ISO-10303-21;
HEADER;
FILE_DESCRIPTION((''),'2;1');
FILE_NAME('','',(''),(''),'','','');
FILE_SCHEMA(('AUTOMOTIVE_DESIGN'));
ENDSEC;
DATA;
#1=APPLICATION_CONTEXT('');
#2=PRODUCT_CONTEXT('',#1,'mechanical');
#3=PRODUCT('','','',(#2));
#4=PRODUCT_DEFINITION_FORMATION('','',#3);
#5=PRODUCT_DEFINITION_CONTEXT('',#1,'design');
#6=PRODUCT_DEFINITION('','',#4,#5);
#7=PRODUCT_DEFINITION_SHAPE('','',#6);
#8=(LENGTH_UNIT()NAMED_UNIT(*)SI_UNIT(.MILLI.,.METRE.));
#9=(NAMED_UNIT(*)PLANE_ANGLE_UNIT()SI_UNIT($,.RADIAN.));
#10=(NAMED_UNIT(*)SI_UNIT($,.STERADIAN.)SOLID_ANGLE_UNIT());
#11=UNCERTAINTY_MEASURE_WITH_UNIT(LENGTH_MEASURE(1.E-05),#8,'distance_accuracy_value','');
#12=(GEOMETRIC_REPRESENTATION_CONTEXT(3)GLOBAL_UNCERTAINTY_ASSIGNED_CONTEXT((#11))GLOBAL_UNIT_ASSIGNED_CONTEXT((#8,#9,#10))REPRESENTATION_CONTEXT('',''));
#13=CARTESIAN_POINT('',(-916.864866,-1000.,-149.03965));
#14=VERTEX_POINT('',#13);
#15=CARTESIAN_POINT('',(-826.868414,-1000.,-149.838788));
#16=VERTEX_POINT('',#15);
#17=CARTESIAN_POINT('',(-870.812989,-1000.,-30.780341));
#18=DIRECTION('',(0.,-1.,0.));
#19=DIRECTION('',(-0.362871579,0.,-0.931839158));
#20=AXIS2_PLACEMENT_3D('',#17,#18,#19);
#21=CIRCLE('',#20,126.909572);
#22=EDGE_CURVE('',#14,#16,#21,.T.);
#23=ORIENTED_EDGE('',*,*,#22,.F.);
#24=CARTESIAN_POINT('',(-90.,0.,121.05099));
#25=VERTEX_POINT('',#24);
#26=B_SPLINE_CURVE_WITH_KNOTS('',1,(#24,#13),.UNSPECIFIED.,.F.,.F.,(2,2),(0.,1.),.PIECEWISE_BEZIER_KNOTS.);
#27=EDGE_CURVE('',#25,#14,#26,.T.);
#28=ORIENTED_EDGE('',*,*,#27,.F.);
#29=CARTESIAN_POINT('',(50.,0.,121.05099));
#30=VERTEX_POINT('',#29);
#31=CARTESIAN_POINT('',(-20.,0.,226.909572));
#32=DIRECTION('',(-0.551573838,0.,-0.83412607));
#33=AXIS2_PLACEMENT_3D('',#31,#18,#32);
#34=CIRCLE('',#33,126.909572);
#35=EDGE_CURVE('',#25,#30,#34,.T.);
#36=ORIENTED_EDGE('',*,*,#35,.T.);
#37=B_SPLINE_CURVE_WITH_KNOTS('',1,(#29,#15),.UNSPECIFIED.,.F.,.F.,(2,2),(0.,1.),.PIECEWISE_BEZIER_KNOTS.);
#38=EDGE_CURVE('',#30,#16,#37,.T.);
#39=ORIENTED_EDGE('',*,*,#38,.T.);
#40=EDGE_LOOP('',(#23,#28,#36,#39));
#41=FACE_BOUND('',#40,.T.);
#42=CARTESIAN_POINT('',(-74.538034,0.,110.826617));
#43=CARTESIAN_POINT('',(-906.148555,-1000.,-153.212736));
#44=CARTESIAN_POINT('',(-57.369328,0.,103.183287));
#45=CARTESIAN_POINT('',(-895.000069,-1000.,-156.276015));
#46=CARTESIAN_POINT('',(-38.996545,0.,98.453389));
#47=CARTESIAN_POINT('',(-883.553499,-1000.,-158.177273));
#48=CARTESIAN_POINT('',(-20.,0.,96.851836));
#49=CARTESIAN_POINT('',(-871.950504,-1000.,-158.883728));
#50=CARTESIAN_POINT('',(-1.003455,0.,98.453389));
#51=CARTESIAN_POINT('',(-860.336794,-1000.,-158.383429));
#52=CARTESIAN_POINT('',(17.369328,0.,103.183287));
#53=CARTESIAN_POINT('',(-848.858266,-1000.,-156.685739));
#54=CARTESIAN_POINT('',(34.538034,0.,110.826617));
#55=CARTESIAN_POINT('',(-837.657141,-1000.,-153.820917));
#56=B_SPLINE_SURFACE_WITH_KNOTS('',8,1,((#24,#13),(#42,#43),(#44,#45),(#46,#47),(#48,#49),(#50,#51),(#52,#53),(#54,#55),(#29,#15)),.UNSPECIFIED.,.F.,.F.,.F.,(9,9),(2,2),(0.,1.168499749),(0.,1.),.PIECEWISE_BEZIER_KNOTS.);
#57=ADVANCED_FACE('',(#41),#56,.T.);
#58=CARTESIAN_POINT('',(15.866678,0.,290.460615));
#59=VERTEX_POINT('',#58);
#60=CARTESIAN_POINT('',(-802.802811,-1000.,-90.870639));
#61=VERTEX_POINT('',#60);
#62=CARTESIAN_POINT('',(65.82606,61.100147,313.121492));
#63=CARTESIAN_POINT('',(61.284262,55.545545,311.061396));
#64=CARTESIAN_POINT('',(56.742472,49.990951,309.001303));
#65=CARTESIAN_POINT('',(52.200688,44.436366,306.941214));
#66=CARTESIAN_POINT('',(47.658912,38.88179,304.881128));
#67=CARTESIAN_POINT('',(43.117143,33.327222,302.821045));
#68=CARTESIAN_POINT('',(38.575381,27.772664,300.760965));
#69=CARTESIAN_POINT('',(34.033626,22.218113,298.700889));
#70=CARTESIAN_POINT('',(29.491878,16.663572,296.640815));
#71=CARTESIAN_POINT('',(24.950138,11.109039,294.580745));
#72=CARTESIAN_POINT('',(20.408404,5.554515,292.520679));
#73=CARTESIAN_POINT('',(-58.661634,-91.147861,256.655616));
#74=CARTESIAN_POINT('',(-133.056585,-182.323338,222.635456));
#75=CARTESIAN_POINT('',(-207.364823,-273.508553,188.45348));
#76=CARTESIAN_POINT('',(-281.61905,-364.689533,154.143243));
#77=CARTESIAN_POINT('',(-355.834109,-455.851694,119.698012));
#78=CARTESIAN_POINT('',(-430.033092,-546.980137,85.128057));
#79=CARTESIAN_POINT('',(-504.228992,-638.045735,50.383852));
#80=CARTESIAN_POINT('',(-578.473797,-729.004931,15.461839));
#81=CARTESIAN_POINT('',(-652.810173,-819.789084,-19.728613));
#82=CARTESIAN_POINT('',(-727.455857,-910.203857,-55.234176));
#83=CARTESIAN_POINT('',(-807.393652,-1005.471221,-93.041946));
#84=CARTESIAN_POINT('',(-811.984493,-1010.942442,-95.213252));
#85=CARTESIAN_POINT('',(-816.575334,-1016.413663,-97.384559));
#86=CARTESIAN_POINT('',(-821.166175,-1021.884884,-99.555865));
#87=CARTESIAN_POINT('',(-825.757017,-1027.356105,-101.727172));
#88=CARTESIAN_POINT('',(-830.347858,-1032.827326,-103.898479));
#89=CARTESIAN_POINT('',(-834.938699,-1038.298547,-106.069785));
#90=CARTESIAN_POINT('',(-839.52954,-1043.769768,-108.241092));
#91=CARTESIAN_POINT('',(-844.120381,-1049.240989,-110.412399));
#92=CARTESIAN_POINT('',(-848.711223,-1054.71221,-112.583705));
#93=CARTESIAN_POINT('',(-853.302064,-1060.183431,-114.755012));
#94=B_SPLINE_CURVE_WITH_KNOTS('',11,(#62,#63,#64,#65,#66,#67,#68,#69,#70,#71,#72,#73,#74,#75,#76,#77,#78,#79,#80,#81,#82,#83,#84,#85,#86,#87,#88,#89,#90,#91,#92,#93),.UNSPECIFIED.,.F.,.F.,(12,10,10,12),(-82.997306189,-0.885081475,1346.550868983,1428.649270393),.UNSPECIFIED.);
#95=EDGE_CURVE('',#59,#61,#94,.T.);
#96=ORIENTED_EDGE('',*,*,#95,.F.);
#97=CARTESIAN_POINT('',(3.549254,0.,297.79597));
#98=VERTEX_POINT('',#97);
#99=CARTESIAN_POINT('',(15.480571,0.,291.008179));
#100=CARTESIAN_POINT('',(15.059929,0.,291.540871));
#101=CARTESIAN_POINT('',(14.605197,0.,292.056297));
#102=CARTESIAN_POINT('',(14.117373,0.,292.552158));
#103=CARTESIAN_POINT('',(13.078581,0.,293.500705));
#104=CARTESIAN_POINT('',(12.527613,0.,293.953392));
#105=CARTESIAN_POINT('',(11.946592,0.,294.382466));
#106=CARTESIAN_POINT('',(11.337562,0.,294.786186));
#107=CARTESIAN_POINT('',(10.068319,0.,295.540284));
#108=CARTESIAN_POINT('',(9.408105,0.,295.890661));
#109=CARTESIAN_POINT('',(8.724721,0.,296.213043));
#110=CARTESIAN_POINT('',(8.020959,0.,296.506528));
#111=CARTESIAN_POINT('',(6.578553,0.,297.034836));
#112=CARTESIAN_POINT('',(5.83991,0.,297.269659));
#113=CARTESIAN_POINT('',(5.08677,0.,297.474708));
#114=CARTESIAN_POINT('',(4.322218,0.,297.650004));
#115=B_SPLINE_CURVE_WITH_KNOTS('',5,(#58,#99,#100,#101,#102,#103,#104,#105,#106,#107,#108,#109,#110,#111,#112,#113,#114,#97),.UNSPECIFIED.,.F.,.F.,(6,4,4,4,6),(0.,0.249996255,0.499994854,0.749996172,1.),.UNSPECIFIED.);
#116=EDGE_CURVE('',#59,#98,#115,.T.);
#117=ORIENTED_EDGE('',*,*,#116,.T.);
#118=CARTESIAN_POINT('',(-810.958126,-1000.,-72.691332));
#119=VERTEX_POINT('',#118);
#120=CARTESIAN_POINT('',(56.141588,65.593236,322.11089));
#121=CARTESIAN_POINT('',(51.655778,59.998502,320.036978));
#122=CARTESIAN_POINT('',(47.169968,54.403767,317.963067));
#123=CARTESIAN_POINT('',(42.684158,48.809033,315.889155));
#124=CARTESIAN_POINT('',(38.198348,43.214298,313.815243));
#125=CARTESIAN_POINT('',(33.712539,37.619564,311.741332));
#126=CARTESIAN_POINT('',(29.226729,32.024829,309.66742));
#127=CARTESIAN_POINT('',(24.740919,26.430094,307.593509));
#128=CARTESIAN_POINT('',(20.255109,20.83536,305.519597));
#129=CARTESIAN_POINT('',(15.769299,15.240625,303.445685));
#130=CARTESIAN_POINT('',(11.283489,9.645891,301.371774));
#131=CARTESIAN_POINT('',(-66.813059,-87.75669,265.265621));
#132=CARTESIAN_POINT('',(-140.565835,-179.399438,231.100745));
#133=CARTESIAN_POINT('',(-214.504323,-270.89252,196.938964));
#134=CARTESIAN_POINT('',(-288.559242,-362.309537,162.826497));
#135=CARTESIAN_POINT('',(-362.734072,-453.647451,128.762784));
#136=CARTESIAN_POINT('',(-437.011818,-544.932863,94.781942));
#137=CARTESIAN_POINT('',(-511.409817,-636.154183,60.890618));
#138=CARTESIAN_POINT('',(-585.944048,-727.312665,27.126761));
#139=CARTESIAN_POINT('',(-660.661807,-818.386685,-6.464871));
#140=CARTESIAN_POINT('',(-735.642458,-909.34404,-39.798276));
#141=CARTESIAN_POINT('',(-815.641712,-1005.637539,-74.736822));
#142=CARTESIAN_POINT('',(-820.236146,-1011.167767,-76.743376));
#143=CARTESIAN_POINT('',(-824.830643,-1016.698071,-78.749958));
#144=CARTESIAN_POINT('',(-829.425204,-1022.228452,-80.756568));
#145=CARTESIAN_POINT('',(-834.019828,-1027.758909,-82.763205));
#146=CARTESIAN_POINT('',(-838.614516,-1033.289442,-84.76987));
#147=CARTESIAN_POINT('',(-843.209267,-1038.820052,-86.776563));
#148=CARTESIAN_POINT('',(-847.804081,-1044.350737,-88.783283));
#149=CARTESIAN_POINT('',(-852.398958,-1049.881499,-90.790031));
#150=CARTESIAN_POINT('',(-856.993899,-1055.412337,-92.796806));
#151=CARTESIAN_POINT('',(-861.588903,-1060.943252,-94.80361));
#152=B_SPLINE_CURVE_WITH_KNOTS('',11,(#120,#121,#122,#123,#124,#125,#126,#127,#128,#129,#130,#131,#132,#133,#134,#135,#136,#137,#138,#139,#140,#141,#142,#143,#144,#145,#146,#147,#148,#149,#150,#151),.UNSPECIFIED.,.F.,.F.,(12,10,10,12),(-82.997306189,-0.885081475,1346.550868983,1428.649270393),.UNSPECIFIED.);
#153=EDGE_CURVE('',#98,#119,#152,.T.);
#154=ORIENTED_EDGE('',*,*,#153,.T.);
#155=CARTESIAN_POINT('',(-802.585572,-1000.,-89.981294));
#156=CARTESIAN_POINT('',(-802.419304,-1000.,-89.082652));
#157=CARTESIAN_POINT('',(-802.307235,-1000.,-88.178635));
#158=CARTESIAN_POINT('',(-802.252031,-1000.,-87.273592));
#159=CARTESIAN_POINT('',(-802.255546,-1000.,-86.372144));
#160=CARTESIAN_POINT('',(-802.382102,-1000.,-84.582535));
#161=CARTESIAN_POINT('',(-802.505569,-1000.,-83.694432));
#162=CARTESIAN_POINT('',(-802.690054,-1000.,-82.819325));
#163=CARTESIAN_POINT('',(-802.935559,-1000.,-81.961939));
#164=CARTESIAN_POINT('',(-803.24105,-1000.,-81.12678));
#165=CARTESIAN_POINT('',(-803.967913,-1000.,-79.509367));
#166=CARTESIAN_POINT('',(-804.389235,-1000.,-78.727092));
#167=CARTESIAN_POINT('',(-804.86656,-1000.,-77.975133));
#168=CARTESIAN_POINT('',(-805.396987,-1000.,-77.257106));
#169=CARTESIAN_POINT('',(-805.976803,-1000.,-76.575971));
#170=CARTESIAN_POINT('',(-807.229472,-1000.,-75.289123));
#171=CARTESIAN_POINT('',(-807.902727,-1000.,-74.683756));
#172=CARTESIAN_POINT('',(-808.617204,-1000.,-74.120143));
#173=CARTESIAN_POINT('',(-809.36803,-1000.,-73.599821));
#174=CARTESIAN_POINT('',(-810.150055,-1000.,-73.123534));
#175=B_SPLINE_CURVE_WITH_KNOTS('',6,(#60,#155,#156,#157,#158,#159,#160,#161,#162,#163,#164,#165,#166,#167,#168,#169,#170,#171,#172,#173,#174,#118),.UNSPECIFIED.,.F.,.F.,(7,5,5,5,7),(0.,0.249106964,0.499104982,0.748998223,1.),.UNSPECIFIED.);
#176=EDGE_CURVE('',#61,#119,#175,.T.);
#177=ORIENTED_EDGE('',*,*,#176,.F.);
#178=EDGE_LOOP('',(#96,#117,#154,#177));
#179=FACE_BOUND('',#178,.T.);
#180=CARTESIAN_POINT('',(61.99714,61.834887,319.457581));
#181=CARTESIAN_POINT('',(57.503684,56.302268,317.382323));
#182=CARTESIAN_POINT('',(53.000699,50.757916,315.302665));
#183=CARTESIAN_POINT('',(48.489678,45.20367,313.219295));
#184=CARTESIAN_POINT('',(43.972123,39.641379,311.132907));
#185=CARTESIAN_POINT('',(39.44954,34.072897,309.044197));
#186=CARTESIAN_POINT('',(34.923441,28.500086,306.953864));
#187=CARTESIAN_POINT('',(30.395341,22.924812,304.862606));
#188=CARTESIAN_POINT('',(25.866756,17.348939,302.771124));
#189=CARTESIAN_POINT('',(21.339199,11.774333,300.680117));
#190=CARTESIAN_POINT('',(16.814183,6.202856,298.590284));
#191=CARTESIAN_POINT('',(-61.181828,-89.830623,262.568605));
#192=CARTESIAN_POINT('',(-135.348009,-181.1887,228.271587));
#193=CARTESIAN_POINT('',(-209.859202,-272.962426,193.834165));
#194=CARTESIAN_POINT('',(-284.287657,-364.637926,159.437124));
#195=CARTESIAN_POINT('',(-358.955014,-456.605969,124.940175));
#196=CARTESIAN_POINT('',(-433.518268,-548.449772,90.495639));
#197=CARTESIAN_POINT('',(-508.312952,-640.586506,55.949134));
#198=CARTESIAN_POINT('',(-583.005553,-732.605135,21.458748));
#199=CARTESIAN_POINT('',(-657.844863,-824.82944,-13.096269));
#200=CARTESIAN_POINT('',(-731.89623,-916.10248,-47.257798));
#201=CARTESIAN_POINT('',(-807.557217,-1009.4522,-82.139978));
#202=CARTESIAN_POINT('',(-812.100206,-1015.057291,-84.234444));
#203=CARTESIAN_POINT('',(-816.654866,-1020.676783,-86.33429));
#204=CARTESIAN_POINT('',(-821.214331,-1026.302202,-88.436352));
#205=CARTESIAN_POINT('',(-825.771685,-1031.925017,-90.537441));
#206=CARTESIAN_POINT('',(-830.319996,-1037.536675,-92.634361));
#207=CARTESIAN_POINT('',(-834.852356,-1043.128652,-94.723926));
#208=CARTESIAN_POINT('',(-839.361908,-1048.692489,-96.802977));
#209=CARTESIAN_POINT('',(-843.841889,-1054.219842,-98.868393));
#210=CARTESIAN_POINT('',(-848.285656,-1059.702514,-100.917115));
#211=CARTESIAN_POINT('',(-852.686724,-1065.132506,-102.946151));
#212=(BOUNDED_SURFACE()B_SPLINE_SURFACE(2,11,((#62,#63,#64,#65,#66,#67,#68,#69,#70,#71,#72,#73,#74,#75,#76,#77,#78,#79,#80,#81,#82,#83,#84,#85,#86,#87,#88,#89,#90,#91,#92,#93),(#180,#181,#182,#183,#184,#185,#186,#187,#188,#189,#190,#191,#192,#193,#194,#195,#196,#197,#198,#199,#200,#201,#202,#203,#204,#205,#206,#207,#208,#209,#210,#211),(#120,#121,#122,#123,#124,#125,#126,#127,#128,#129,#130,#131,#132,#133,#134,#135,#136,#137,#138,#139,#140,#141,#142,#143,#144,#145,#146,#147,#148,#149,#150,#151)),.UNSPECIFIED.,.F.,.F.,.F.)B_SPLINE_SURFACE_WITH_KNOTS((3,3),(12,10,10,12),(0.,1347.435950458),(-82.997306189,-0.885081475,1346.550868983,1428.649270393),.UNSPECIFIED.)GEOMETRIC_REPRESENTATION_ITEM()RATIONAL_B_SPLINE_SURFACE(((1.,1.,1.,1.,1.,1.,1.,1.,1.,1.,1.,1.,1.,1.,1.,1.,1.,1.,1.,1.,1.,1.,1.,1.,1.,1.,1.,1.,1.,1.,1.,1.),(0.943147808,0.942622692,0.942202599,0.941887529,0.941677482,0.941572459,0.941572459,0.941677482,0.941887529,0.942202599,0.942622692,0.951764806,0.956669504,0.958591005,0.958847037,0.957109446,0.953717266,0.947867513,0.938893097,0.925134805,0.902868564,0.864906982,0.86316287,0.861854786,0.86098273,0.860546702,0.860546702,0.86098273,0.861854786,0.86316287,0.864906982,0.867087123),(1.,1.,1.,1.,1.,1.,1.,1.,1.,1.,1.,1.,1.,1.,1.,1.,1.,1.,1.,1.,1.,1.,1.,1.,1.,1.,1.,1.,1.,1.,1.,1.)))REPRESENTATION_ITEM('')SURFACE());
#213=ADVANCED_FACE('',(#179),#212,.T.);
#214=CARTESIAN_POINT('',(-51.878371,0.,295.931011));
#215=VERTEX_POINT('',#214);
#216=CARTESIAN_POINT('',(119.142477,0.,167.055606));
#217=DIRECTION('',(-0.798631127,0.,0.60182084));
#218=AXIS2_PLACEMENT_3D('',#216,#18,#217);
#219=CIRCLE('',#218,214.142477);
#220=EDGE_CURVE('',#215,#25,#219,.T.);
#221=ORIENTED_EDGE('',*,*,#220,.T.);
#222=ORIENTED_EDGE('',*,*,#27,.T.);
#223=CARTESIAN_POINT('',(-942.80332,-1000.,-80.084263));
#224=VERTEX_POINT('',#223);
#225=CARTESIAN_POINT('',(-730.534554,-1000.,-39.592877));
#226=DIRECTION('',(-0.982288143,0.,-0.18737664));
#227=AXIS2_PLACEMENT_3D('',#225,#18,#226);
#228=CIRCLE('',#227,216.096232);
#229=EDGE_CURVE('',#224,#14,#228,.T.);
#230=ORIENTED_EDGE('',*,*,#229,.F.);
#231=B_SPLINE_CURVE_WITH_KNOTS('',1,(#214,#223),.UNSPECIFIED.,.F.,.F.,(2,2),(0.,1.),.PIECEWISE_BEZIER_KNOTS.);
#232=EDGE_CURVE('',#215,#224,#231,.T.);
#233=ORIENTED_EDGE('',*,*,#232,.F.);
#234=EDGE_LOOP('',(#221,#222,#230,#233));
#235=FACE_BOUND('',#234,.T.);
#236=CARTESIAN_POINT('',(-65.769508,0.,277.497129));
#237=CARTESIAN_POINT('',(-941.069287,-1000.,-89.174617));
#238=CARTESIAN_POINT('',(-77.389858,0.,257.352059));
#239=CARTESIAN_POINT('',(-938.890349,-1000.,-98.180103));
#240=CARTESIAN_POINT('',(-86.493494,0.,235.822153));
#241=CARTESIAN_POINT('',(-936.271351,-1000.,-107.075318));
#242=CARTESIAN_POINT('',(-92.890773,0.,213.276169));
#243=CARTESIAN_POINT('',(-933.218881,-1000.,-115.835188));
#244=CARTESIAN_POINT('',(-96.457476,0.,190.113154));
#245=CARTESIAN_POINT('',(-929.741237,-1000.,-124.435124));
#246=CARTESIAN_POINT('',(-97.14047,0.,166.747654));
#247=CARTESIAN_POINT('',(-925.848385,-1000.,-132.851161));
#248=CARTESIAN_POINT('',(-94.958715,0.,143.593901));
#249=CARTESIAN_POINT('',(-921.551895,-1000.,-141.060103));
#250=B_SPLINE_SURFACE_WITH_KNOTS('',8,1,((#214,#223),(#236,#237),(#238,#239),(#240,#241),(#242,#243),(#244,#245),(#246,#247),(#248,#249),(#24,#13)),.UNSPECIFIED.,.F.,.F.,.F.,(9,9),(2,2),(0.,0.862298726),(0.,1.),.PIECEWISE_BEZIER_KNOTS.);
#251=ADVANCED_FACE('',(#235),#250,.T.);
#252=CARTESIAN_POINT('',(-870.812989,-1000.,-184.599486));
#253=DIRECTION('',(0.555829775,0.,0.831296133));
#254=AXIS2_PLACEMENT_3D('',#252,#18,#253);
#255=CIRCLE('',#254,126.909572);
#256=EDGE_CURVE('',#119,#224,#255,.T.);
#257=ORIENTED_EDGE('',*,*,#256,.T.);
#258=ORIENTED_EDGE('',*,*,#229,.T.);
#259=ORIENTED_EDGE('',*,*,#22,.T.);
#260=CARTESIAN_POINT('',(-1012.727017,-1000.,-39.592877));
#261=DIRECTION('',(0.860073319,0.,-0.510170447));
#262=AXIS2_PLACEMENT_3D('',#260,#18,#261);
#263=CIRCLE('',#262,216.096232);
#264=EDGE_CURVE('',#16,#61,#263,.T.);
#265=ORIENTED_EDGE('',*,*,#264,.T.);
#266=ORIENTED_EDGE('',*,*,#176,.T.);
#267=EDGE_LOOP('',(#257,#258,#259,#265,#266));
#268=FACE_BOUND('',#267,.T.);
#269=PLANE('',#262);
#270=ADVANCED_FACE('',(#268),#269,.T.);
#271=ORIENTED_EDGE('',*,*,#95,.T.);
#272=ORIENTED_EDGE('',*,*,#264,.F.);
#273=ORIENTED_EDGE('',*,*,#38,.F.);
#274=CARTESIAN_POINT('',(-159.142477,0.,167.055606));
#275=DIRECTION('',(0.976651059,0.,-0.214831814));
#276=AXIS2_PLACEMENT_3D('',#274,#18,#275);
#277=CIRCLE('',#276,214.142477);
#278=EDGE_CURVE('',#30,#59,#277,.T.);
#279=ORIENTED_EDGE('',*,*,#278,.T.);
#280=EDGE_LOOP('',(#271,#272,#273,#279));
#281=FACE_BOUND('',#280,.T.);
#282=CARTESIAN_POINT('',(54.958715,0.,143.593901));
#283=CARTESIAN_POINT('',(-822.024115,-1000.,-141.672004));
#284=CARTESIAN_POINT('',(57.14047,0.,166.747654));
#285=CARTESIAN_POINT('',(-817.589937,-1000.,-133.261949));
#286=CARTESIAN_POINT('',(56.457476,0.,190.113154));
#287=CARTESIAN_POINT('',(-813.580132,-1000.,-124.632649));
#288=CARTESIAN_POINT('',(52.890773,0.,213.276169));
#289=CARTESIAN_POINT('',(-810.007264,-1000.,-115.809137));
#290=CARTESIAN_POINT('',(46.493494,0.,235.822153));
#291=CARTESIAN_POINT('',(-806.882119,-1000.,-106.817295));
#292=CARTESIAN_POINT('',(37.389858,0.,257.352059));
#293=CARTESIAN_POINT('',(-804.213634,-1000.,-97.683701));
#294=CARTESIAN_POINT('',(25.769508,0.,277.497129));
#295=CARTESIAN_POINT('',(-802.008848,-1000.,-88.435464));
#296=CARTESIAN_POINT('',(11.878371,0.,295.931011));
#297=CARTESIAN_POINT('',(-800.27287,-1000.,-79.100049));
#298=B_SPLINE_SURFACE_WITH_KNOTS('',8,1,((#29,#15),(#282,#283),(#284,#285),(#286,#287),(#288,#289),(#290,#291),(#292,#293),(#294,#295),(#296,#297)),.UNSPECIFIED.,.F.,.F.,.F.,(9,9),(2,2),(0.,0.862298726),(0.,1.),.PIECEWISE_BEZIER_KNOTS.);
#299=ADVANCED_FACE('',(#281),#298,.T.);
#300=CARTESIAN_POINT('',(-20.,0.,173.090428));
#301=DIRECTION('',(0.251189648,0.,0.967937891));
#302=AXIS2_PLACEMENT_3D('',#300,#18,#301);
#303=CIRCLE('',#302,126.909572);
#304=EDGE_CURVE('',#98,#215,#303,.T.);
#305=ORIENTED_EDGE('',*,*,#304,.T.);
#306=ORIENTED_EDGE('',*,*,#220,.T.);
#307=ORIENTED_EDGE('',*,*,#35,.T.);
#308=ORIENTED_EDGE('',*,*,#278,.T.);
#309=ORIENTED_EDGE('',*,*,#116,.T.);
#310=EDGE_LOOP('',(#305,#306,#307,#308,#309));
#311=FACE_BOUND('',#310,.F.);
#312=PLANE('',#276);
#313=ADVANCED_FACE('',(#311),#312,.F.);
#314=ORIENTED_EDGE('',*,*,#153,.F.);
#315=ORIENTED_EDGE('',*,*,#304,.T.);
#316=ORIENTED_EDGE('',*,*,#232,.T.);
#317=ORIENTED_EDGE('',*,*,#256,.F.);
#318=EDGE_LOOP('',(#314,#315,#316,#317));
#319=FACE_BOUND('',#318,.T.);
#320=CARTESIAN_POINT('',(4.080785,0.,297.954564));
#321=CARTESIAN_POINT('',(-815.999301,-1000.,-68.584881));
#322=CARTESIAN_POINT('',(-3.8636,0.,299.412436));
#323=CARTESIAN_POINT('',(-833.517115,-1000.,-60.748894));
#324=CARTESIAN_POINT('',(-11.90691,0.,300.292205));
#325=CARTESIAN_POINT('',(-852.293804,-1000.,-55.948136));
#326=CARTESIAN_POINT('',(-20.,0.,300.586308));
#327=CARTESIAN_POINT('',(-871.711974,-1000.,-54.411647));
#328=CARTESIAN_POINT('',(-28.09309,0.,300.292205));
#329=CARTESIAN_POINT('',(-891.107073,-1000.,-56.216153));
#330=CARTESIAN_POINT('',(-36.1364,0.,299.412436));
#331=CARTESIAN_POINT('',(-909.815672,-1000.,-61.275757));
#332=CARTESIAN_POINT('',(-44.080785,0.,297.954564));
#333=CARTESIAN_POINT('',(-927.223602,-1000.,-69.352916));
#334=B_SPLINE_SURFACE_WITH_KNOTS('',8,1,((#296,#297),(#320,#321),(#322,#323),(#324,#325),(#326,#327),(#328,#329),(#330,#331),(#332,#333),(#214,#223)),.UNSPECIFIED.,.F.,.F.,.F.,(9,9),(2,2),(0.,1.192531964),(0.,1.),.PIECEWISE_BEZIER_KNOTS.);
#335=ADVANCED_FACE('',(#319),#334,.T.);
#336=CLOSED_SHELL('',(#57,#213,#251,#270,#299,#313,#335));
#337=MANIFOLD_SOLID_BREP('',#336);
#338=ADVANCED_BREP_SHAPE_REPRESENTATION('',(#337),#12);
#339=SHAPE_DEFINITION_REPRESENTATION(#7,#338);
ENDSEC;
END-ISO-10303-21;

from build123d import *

# Parameters (mm, degrees)
F4_R = 20


with BuildPart() as f3:
    # F0 (on Front) → F3 section 0
    with BuildSketch(Plane.XZ):
        with BuildLine():
            ThreePointArc((50, 121.0509895272), (50.0865695268, 212.6648876477), (11.8783708075, 295.9310114541))
            ThreePointArc((11.8783708075, 295.9310114541), (-20, 300), (-51.8783708075, 295.9310114541))
            ThreePointArc((-51.8783708075, 295.9310114541), (-90.0865695268, 212.6648876477), (-90, 121.0509895272))
            ThreePointArc((-90, 121.0509895272), (-20, 100), (50, 121.0509895272))
        make_face()
    # F2 (on offset) → F3 section 1
    with BuildSketch(Plane.XZ.offset(1000)):
        with BuildLine():
            ThreePointArc((-826.8684139464, -149.838788357), (-810.4542950494, -115.6410672236), (-800.2728698805, -79.1000490193))
            ThreePointArc((-800.2728698805, -79.1000490193), (-871.6893152622, -57.6929389994), (-942.8033198489, -80.0842628104))
            ThreePointArc((-942.8033198489, -80.0842628104), (-932.7943314348, -115.6754881769), (-916.8648659769, -149.0396501233))
            ThreePointArc((-916.8648659769, -149.0396501233), (-871.9398589265, -157.6849103787), (-826.8684139464, -149.838788357))
        make_face()
    loft()

    # F4
    f4_edges = [f3.edges().sort_by_distance(p)[0] for p in [
        (-394.19725, -500, 108.415481),
    ]]
    fillet(f4_edges, radius=F4_R)


solid = f3.part
